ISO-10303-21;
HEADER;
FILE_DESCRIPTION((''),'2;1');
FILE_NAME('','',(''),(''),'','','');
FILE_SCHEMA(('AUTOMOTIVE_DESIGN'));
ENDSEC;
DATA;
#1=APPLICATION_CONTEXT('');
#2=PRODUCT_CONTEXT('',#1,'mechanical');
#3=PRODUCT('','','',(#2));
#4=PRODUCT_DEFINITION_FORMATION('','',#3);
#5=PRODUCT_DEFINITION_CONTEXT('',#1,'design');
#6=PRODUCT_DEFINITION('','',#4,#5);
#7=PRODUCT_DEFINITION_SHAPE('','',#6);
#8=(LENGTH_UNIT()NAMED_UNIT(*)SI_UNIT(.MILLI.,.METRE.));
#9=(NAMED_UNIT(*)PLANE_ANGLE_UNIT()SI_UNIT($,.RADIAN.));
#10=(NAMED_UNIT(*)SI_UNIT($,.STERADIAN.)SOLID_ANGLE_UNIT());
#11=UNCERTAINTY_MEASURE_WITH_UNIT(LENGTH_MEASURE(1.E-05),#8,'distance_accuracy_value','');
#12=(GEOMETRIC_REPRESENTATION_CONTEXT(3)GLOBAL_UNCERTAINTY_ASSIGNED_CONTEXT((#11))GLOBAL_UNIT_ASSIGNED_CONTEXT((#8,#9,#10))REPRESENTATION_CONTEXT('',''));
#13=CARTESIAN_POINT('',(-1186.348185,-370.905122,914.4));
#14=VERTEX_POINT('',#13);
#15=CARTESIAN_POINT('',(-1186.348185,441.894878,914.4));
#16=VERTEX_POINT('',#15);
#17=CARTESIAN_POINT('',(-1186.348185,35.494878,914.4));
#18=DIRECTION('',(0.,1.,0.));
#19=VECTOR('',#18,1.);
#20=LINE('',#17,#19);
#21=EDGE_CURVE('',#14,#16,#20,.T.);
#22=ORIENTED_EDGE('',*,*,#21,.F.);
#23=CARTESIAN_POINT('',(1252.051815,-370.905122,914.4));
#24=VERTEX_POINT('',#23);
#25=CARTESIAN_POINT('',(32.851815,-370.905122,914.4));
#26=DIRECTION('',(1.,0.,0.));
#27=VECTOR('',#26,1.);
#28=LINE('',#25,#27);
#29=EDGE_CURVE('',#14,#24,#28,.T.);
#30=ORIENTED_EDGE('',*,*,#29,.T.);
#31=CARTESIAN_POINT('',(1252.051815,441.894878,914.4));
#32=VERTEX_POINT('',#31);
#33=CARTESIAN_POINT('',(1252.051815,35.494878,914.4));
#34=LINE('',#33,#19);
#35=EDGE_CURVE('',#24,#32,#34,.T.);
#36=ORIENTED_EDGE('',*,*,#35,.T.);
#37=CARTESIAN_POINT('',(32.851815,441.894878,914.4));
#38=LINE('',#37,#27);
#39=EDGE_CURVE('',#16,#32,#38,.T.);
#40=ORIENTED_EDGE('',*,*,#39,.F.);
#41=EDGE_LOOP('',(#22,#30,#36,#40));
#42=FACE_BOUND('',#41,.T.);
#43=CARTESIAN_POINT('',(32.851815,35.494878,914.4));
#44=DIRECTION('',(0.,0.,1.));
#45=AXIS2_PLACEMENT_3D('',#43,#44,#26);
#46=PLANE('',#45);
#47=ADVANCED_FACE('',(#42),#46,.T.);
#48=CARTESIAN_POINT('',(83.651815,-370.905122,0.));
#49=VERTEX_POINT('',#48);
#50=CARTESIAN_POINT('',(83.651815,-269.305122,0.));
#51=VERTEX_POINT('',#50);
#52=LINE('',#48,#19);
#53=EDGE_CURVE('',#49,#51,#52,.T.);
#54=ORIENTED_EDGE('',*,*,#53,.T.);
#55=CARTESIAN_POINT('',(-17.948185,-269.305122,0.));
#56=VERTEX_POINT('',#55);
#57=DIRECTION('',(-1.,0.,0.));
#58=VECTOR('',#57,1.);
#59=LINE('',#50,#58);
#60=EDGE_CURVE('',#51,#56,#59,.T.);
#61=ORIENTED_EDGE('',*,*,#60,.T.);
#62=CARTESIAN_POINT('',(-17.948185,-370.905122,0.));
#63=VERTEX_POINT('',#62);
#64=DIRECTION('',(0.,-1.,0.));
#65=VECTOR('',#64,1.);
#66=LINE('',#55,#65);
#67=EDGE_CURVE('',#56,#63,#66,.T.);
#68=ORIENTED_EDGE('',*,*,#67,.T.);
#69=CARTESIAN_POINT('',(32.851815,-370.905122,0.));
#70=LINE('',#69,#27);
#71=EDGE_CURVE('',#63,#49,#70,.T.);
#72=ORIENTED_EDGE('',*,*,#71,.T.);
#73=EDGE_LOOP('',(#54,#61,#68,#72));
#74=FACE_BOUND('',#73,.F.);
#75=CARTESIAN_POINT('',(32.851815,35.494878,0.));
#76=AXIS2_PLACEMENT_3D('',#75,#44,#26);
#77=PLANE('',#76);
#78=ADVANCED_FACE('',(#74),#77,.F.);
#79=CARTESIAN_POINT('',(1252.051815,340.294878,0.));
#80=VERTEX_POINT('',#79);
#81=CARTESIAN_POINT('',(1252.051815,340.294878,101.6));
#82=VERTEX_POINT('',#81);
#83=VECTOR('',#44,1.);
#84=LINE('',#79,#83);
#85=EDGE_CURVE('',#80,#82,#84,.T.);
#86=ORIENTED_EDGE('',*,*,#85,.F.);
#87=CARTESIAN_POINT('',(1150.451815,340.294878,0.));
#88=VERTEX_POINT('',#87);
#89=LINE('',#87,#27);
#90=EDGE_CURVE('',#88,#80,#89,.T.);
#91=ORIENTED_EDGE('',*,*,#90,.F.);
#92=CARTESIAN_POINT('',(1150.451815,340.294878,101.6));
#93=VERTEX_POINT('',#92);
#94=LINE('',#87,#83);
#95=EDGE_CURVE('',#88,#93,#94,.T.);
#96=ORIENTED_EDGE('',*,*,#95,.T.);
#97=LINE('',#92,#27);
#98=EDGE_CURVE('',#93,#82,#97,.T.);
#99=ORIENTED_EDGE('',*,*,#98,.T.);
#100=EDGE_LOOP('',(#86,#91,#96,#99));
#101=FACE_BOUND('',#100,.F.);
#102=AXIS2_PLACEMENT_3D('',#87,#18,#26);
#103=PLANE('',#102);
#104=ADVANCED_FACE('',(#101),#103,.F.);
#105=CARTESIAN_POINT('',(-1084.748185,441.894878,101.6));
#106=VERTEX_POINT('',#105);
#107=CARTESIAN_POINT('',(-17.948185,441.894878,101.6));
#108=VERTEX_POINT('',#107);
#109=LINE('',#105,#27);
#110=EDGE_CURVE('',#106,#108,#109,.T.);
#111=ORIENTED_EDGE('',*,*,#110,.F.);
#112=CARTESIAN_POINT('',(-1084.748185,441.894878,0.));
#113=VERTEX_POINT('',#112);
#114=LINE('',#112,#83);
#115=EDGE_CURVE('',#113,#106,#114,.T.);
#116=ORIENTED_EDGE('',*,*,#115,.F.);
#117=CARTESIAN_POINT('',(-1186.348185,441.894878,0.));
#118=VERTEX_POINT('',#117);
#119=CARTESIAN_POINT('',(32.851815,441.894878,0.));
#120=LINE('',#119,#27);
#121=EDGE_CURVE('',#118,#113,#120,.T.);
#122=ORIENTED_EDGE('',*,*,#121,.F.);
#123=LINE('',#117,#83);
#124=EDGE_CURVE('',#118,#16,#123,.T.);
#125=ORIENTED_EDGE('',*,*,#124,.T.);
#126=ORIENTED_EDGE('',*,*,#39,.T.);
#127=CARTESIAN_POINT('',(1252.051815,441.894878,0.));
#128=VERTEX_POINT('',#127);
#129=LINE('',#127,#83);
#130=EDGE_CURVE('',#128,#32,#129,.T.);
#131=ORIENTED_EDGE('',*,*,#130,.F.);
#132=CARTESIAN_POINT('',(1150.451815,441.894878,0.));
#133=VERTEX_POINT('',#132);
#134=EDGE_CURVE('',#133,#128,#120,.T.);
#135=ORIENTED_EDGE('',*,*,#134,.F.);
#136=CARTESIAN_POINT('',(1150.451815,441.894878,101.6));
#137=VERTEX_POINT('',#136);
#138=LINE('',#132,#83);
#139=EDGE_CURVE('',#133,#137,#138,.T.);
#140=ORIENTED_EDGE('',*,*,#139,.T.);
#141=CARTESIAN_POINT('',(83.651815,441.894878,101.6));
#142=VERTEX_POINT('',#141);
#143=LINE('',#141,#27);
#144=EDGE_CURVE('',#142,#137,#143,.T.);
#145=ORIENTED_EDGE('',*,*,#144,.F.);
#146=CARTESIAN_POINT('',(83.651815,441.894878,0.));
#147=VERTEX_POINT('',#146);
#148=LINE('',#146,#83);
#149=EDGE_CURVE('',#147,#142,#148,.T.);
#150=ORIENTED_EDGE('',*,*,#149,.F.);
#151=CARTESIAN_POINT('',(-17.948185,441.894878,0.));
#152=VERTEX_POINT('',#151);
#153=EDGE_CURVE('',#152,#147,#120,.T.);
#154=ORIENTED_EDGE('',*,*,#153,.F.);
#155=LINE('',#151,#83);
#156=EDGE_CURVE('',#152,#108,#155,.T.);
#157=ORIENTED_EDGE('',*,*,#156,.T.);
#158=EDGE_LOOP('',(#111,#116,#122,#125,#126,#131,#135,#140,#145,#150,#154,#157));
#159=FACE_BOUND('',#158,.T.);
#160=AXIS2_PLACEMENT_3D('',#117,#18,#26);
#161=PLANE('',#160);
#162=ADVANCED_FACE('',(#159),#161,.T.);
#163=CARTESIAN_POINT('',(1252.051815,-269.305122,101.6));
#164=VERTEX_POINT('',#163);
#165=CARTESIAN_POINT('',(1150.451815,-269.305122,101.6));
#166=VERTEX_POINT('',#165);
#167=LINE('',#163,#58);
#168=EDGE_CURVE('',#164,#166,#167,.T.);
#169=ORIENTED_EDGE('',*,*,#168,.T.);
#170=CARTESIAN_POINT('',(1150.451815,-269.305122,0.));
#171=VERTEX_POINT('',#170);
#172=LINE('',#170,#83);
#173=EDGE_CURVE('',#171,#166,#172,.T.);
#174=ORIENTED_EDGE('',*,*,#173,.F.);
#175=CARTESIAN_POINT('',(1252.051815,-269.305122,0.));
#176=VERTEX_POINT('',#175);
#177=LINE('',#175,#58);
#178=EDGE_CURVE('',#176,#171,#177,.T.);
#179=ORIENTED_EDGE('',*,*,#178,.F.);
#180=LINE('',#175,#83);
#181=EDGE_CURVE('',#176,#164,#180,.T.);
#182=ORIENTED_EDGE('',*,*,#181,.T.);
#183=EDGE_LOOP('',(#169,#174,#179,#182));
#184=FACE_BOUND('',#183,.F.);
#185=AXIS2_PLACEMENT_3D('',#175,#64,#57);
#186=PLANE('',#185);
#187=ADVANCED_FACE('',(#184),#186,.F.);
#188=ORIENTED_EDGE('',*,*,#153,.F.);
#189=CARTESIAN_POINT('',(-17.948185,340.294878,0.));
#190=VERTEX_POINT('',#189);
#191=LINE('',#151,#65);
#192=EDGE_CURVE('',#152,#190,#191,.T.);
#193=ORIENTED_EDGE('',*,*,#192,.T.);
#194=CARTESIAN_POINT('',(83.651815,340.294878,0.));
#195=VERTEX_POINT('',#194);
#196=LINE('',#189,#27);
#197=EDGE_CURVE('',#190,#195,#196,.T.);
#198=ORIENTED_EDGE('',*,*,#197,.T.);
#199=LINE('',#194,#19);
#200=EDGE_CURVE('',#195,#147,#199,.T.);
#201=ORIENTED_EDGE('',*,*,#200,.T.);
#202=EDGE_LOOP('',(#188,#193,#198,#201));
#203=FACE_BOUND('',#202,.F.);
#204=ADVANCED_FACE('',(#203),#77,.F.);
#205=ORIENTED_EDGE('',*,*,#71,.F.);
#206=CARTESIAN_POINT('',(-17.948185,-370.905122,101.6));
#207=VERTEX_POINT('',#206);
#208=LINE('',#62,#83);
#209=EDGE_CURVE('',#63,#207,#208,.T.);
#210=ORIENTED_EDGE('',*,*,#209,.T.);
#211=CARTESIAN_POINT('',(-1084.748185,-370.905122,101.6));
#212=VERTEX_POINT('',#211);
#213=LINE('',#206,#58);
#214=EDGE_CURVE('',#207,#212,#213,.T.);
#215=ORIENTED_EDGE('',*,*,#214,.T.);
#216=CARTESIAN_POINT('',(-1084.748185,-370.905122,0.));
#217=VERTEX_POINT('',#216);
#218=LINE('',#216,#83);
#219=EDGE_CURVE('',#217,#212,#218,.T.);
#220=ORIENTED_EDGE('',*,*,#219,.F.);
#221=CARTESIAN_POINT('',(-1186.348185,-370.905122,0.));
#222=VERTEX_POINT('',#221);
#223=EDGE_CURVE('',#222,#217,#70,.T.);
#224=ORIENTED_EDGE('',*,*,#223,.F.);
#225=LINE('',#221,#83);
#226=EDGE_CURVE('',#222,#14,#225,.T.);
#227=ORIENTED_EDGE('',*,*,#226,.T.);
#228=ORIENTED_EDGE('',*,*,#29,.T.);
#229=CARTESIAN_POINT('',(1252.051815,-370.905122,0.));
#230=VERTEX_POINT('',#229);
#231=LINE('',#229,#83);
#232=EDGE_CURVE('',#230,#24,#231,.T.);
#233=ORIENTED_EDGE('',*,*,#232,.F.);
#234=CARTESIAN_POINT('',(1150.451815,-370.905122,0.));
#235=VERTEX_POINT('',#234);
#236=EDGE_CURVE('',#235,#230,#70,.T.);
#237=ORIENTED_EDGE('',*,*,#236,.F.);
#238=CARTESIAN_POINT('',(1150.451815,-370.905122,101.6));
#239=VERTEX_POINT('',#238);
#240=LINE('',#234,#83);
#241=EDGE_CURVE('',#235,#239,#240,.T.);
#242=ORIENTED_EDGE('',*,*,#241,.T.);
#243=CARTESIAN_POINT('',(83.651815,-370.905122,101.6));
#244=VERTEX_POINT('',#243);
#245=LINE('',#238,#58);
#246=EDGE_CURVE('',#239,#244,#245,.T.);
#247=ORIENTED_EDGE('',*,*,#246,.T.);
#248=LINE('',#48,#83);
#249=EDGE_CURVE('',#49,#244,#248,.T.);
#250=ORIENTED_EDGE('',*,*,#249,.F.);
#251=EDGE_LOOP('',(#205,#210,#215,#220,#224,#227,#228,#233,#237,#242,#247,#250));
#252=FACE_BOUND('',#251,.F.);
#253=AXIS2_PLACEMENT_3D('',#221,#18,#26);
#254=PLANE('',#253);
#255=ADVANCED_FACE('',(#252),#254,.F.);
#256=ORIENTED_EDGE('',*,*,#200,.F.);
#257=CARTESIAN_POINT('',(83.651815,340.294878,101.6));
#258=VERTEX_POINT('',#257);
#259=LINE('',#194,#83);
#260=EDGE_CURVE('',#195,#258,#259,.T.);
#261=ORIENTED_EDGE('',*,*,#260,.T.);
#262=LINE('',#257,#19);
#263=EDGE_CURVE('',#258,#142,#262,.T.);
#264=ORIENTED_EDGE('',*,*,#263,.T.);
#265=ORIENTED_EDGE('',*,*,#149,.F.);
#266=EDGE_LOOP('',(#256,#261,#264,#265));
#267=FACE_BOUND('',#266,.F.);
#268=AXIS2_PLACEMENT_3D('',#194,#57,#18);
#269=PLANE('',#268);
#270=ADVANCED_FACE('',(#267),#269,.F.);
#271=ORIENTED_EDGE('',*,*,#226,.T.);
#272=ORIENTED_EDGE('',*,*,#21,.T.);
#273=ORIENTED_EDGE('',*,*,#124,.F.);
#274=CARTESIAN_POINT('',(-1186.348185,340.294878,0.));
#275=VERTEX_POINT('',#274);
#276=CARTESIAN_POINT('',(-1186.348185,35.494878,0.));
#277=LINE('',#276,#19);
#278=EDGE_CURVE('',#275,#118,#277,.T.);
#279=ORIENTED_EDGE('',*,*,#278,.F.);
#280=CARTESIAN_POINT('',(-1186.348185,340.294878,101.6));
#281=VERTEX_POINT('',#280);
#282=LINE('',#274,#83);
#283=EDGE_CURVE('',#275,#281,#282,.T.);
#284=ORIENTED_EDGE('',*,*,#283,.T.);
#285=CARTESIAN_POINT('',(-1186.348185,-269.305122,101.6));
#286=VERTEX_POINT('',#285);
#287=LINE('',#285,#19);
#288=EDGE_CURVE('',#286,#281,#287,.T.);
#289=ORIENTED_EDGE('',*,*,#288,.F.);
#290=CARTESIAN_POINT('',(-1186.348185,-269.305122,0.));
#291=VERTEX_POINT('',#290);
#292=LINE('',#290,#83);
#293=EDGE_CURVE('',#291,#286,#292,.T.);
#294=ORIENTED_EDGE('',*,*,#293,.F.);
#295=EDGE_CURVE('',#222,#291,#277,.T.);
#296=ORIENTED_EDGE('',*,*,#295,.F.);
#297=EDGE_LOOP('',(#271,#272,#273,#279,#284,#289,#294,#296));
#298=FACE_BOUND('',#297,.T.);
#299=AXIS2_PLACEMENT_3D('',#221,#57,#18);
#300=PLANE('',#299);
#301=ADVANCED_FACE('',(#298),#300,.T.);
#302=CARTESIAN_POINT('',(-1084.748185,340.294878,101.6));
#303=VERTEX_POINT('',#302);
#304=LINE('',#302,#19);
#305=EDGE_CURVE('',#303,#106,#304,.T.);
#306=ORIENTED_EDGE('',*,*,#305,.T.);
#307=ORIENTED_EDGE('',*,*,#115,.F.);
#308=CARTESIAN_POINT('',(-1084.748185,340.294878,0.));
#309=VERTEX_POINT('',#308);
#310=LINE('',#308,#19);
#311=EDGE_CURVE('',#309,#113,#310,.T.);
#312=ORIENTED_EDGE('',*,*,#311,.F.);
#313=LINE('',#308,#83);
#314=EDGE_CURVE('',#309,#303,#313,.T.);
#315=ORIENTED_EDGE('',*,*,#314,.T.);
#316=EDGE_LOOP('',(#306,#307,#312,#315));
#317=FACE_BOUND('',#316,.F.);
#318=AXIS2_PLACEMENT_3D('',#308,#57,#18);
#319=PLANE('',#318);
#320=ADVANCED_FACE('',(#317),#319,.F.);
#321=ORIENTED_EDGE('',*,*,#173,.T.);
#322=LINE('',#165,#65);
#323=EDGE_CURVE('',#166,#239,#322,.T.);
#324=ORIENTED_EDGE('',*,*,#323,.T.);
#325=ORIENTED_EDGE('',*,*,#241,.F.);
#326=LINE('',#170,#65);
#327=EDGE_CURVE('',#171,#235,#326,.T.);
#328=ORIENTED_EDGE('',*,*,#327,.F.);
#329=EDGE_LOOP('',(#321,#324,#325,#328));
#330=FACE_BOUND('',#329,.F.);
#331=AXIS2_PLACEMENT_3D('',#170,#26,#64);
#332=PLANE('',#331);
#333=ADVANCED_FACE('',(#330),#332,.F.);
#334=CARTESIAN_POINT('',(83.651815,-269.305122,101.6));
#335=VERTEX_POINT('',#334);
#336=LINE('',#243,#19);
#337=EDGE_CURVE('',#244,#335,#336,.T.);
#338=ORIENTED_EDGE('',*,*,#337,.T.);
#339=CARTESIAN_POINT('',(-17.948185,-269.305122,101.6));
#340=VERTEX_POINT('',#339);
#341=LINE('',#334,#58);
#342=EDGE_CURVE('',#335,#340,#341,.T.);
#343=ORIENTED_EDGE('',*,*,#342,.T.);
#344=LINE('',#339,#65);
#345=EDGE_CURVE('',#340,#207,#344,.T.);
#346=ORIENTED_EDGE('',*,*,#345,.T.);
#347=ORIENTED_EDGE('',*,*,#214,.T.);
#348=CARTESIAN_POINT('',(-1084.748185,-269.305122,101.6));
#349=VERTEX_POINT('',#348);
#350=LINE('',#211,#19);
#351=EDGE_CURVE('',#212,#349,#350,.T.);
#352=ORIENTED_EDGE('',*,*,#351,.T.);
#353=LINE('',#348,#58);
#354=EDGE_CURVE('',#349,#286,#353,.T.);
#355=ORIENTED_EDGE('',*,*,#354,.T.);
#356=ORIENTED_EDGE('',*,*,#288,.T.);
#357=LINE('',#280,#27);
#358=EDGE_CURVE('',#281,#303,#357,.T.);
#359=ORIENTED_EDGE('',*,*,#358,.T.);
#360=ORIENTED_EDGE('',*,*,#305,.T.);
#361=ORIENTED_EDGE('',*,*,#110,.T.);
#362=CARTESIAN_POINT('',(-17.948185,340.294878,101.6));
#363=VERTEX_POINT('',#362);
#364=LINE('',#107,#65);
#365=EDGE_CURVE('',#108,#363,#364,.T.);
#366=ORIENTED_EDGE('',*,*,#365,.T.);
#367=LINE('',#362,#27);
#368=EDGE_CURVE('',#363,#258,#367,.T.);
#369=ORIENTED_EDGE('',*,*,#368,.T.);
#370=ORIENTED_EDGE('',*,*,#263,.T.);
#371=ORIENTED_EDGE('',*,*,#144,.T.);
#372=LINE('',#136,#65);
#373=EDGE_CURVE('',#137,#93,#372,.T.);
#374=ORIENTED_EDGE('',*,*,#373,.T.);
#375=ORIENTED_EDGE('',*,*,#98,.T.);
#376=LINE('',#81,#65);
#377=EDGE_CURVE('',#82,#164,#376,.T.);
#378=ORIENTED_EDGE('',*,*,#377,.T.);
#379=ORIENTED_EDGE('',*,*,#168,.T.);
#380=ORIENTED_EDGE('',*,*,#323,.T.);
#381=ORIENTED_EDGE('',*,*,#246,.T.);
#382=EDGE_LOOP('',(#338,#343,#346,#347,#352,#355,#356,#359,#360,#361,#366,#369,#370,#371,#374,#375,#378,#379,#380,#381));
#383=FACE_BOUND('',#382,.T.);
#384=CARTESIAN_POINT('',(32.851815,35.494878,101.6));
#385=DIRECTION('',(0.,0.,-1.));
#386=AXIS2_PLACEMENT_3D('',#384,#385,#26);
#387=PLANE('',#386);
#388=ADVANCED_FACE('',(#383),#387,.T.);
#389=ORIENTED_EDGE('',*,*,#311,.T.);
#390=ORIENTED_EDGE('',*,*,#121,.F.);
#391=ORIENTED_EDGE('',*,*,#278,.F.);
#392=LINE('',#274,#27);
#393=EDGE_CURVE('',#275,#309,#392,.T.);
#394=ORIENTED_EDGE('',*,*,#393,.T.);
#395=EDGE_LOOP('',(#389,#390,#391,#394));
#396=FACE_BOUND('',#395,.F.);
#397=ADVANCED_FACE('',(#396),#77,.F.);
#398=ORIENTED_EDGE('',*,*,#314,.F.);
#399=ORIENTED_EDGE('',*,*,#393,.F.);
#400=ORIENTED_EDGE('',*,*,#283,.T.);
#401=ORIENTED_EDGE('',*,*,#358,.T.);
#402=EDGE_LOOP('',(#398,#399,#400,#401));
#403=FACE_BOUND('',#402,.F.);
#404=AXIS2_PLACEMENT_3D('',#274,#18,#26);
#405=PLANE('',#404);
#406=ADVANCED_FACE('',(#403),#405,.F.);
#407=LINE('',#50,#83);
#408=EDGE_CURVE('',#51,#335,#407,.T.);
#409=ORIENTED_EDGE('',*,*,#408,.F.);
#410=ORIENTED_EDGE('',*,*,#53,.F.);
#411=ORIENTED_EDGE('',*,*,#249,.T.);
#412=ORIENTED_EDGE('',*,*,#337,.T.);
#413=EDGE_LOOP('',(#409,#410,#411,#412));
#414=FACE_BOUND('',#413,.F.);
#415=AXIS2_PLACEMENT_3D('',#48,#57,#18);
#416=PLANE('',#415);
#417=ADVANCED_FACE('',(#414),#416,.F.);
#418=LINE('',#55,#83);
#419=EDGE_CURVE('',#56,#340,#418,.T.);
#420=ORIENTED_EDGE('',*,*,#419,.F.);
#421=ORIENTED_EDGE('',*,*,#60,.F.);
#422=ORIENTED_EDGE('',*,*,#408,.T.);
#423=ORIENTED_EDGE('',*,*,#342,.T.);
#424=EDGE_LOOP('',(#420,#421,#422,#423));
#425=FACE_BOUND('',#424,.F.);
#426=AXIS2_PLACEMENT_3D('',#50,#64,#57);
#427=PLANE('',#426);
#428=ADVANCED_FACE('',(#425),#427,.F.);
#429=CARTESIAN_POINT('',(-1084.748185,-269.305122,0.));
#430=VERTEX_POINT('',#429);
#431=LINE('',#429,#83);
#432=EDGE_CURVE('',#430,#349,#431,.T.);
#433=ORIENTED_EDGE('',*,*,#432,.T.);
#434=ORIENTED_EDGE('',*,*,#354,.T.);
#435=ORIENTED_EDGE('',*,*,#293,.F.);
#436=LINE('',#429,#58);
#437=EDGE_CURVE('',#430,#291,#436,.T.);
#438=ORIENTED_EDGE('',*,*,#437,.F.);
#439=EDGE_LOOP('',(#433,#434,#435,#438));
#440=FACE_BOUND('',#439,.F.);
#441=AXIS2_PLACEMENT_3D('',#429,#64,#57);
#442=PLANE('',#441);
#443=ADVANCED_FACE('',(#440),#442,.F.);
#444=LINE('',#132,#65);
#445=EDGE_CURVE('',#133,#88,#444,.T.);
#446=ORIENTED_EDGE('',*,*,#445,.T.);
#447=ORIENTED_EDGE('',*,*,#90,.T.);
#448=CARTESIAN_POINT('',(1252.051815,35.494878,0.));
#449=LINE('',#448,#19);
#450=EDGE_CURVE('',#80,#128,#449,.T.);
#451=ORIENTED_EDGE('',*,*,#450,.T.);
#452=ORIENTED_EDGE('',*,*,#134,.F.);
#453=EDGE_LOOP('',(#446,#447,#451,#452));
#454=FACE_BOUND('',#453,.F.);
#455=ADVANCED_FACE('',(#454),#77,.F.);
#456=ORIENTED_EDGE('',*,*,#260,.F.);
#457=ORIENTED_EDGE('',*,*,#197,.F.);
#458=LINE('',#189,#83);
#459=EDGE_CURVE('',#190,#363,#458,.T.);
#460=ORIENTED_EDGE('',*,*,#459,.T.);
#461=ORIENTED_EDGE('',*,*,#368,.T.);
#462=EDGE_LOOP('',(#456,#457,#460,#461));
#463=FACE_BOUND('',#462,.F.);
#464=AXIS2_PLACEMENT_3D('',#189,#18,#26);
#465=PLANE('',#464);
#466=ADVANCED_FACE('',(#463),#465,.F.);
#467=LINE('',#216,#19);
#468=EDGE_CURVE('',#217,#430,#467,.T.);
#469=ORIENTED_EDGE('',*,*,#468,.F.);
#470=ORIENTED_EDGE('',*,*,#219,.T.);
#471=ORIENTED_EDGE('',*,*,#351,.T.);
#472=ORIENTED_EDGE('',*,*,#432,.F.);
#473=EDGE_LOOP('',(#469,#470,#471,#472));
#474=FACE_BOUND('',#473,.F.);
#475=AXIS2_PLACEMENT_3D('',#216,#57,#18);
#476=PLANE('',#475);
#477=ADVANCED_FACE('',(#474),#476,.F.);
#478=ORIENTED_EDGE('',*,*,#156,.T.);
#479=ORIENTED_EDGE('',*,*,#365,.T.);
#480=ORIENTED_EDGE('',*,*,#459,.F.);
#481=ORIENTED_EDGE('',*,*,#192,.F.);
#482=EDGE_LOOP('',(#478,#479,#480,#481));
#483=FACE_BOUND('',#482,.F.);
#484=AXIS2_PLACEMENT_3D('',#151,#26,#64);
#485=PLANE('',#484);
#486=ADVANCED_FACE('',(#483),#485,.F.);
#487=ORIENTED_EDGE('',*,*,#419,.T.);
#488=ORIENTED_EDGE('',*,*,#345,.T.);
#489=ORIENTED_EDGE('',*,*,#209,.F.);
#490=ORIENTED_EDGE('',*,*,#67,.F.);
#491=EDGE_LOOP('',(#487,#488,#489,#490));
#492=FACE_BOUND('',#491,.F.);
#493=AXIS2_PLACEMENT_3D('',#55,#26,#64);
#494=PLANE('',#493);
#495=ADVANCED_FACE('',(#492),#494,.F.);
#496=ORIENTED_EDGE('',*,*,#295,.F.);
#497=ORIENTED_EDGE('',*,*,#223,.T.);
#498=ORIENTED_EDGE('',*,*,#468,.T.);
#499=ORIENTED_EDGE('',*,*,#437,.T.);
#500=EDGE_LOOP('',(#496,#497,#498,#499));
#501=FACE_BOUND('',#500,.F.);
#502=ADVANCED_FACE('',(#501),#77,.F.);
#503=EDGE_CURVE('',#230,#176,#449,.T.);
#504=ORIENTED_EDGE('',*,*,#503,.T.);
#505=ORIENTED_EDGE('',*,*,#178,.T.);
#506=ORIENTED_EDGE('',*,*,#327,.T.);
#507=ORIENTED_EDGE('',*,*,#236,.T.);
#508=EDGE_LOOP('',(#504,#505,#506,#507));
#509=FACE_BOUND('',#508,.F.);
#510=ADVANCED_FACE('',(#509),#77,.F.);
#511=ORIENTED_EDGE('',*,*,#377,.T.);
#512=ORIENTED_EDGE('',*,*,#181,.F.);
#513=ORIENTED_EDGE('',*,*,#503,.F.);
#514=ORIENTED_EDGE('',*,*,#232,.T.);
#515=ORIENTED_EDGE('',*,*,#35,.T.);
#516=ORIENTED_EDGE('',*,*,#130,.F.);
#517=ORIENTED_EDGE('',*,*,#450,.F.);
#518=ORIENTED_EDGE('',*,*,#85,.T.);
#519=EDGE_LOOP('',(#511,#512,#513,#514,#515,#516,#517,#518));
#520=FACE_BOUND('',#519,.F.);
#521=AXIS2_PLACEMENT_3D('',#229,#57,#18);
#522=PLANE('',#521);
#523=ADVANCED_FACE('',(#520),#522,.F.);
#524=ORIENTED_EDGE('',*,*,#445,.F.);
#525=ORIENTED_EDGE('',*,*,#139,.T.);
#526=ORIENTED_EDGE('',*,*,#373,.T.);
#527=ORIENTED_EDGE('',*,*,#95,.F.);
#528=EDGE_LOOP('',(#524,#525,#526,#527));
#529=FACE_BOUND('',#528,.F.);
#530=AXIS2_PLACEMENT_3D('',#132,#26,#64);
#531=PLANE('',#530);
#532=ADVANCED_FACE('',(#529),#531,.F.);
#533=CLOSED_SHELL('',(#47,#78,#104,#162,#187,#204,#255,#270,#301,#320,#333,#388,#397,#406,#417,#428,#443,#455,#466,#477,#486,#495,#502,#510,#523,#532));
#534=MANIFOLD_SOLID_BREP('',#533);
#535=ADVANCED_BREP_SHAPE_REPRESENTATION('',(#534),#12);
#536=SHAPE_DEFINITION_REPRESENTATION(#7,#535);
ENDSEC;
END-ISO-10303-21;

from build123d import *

# Parameters (mm, degrees)
F0_W     = 2438.4
F0_H     = 812.8
F1_DEPTH = 914.4
F3_DEPTH = 101.6


with BuildPart() as f1:
    # F0 (on Top) → F1 (new body)
    with BuildSketch(Plane.XY):
        with Locations((32.851815, 35.494878)):
            Rectangle(F0_W, F0_H)
    extrude(amount=F1_DEPTH)

    # F2 (on face) → F3 (cut)
    with BuildSketch(Plane(origin=(0, 0, 0), x_dir=(1, 0, 0), z_dir=(0, 0, -1))):
        Polygon((-1084.748185, 269.305122), (-1186.348185, 269.305122), (-1186.348185, -340.294878), (-1084.748185, -340.294878), (-1084.748185, -441.894878), (-17.948185, -441.894878), (-17.948185, -340.294878), (83.651815, -340.294878), (83.651815, -441.894878), (1150.451815, -441.894878), (1150.451815, -340.294878), (1252.051815, -340.294878), (1252.051815, 269.305122), (1150.451815, 269.305122), (1150.451815, 370.905122), (83.651815, 370.905122), (83.651815, 269.305122), (-17.948185, 269.305122), (-17.948185, 370.905122), (-1084.748185, 370.905122), align=None)
    extrude(amount=-F3_DEPTH, mode=Mode.SUBTRACT)


solid = f1.part
